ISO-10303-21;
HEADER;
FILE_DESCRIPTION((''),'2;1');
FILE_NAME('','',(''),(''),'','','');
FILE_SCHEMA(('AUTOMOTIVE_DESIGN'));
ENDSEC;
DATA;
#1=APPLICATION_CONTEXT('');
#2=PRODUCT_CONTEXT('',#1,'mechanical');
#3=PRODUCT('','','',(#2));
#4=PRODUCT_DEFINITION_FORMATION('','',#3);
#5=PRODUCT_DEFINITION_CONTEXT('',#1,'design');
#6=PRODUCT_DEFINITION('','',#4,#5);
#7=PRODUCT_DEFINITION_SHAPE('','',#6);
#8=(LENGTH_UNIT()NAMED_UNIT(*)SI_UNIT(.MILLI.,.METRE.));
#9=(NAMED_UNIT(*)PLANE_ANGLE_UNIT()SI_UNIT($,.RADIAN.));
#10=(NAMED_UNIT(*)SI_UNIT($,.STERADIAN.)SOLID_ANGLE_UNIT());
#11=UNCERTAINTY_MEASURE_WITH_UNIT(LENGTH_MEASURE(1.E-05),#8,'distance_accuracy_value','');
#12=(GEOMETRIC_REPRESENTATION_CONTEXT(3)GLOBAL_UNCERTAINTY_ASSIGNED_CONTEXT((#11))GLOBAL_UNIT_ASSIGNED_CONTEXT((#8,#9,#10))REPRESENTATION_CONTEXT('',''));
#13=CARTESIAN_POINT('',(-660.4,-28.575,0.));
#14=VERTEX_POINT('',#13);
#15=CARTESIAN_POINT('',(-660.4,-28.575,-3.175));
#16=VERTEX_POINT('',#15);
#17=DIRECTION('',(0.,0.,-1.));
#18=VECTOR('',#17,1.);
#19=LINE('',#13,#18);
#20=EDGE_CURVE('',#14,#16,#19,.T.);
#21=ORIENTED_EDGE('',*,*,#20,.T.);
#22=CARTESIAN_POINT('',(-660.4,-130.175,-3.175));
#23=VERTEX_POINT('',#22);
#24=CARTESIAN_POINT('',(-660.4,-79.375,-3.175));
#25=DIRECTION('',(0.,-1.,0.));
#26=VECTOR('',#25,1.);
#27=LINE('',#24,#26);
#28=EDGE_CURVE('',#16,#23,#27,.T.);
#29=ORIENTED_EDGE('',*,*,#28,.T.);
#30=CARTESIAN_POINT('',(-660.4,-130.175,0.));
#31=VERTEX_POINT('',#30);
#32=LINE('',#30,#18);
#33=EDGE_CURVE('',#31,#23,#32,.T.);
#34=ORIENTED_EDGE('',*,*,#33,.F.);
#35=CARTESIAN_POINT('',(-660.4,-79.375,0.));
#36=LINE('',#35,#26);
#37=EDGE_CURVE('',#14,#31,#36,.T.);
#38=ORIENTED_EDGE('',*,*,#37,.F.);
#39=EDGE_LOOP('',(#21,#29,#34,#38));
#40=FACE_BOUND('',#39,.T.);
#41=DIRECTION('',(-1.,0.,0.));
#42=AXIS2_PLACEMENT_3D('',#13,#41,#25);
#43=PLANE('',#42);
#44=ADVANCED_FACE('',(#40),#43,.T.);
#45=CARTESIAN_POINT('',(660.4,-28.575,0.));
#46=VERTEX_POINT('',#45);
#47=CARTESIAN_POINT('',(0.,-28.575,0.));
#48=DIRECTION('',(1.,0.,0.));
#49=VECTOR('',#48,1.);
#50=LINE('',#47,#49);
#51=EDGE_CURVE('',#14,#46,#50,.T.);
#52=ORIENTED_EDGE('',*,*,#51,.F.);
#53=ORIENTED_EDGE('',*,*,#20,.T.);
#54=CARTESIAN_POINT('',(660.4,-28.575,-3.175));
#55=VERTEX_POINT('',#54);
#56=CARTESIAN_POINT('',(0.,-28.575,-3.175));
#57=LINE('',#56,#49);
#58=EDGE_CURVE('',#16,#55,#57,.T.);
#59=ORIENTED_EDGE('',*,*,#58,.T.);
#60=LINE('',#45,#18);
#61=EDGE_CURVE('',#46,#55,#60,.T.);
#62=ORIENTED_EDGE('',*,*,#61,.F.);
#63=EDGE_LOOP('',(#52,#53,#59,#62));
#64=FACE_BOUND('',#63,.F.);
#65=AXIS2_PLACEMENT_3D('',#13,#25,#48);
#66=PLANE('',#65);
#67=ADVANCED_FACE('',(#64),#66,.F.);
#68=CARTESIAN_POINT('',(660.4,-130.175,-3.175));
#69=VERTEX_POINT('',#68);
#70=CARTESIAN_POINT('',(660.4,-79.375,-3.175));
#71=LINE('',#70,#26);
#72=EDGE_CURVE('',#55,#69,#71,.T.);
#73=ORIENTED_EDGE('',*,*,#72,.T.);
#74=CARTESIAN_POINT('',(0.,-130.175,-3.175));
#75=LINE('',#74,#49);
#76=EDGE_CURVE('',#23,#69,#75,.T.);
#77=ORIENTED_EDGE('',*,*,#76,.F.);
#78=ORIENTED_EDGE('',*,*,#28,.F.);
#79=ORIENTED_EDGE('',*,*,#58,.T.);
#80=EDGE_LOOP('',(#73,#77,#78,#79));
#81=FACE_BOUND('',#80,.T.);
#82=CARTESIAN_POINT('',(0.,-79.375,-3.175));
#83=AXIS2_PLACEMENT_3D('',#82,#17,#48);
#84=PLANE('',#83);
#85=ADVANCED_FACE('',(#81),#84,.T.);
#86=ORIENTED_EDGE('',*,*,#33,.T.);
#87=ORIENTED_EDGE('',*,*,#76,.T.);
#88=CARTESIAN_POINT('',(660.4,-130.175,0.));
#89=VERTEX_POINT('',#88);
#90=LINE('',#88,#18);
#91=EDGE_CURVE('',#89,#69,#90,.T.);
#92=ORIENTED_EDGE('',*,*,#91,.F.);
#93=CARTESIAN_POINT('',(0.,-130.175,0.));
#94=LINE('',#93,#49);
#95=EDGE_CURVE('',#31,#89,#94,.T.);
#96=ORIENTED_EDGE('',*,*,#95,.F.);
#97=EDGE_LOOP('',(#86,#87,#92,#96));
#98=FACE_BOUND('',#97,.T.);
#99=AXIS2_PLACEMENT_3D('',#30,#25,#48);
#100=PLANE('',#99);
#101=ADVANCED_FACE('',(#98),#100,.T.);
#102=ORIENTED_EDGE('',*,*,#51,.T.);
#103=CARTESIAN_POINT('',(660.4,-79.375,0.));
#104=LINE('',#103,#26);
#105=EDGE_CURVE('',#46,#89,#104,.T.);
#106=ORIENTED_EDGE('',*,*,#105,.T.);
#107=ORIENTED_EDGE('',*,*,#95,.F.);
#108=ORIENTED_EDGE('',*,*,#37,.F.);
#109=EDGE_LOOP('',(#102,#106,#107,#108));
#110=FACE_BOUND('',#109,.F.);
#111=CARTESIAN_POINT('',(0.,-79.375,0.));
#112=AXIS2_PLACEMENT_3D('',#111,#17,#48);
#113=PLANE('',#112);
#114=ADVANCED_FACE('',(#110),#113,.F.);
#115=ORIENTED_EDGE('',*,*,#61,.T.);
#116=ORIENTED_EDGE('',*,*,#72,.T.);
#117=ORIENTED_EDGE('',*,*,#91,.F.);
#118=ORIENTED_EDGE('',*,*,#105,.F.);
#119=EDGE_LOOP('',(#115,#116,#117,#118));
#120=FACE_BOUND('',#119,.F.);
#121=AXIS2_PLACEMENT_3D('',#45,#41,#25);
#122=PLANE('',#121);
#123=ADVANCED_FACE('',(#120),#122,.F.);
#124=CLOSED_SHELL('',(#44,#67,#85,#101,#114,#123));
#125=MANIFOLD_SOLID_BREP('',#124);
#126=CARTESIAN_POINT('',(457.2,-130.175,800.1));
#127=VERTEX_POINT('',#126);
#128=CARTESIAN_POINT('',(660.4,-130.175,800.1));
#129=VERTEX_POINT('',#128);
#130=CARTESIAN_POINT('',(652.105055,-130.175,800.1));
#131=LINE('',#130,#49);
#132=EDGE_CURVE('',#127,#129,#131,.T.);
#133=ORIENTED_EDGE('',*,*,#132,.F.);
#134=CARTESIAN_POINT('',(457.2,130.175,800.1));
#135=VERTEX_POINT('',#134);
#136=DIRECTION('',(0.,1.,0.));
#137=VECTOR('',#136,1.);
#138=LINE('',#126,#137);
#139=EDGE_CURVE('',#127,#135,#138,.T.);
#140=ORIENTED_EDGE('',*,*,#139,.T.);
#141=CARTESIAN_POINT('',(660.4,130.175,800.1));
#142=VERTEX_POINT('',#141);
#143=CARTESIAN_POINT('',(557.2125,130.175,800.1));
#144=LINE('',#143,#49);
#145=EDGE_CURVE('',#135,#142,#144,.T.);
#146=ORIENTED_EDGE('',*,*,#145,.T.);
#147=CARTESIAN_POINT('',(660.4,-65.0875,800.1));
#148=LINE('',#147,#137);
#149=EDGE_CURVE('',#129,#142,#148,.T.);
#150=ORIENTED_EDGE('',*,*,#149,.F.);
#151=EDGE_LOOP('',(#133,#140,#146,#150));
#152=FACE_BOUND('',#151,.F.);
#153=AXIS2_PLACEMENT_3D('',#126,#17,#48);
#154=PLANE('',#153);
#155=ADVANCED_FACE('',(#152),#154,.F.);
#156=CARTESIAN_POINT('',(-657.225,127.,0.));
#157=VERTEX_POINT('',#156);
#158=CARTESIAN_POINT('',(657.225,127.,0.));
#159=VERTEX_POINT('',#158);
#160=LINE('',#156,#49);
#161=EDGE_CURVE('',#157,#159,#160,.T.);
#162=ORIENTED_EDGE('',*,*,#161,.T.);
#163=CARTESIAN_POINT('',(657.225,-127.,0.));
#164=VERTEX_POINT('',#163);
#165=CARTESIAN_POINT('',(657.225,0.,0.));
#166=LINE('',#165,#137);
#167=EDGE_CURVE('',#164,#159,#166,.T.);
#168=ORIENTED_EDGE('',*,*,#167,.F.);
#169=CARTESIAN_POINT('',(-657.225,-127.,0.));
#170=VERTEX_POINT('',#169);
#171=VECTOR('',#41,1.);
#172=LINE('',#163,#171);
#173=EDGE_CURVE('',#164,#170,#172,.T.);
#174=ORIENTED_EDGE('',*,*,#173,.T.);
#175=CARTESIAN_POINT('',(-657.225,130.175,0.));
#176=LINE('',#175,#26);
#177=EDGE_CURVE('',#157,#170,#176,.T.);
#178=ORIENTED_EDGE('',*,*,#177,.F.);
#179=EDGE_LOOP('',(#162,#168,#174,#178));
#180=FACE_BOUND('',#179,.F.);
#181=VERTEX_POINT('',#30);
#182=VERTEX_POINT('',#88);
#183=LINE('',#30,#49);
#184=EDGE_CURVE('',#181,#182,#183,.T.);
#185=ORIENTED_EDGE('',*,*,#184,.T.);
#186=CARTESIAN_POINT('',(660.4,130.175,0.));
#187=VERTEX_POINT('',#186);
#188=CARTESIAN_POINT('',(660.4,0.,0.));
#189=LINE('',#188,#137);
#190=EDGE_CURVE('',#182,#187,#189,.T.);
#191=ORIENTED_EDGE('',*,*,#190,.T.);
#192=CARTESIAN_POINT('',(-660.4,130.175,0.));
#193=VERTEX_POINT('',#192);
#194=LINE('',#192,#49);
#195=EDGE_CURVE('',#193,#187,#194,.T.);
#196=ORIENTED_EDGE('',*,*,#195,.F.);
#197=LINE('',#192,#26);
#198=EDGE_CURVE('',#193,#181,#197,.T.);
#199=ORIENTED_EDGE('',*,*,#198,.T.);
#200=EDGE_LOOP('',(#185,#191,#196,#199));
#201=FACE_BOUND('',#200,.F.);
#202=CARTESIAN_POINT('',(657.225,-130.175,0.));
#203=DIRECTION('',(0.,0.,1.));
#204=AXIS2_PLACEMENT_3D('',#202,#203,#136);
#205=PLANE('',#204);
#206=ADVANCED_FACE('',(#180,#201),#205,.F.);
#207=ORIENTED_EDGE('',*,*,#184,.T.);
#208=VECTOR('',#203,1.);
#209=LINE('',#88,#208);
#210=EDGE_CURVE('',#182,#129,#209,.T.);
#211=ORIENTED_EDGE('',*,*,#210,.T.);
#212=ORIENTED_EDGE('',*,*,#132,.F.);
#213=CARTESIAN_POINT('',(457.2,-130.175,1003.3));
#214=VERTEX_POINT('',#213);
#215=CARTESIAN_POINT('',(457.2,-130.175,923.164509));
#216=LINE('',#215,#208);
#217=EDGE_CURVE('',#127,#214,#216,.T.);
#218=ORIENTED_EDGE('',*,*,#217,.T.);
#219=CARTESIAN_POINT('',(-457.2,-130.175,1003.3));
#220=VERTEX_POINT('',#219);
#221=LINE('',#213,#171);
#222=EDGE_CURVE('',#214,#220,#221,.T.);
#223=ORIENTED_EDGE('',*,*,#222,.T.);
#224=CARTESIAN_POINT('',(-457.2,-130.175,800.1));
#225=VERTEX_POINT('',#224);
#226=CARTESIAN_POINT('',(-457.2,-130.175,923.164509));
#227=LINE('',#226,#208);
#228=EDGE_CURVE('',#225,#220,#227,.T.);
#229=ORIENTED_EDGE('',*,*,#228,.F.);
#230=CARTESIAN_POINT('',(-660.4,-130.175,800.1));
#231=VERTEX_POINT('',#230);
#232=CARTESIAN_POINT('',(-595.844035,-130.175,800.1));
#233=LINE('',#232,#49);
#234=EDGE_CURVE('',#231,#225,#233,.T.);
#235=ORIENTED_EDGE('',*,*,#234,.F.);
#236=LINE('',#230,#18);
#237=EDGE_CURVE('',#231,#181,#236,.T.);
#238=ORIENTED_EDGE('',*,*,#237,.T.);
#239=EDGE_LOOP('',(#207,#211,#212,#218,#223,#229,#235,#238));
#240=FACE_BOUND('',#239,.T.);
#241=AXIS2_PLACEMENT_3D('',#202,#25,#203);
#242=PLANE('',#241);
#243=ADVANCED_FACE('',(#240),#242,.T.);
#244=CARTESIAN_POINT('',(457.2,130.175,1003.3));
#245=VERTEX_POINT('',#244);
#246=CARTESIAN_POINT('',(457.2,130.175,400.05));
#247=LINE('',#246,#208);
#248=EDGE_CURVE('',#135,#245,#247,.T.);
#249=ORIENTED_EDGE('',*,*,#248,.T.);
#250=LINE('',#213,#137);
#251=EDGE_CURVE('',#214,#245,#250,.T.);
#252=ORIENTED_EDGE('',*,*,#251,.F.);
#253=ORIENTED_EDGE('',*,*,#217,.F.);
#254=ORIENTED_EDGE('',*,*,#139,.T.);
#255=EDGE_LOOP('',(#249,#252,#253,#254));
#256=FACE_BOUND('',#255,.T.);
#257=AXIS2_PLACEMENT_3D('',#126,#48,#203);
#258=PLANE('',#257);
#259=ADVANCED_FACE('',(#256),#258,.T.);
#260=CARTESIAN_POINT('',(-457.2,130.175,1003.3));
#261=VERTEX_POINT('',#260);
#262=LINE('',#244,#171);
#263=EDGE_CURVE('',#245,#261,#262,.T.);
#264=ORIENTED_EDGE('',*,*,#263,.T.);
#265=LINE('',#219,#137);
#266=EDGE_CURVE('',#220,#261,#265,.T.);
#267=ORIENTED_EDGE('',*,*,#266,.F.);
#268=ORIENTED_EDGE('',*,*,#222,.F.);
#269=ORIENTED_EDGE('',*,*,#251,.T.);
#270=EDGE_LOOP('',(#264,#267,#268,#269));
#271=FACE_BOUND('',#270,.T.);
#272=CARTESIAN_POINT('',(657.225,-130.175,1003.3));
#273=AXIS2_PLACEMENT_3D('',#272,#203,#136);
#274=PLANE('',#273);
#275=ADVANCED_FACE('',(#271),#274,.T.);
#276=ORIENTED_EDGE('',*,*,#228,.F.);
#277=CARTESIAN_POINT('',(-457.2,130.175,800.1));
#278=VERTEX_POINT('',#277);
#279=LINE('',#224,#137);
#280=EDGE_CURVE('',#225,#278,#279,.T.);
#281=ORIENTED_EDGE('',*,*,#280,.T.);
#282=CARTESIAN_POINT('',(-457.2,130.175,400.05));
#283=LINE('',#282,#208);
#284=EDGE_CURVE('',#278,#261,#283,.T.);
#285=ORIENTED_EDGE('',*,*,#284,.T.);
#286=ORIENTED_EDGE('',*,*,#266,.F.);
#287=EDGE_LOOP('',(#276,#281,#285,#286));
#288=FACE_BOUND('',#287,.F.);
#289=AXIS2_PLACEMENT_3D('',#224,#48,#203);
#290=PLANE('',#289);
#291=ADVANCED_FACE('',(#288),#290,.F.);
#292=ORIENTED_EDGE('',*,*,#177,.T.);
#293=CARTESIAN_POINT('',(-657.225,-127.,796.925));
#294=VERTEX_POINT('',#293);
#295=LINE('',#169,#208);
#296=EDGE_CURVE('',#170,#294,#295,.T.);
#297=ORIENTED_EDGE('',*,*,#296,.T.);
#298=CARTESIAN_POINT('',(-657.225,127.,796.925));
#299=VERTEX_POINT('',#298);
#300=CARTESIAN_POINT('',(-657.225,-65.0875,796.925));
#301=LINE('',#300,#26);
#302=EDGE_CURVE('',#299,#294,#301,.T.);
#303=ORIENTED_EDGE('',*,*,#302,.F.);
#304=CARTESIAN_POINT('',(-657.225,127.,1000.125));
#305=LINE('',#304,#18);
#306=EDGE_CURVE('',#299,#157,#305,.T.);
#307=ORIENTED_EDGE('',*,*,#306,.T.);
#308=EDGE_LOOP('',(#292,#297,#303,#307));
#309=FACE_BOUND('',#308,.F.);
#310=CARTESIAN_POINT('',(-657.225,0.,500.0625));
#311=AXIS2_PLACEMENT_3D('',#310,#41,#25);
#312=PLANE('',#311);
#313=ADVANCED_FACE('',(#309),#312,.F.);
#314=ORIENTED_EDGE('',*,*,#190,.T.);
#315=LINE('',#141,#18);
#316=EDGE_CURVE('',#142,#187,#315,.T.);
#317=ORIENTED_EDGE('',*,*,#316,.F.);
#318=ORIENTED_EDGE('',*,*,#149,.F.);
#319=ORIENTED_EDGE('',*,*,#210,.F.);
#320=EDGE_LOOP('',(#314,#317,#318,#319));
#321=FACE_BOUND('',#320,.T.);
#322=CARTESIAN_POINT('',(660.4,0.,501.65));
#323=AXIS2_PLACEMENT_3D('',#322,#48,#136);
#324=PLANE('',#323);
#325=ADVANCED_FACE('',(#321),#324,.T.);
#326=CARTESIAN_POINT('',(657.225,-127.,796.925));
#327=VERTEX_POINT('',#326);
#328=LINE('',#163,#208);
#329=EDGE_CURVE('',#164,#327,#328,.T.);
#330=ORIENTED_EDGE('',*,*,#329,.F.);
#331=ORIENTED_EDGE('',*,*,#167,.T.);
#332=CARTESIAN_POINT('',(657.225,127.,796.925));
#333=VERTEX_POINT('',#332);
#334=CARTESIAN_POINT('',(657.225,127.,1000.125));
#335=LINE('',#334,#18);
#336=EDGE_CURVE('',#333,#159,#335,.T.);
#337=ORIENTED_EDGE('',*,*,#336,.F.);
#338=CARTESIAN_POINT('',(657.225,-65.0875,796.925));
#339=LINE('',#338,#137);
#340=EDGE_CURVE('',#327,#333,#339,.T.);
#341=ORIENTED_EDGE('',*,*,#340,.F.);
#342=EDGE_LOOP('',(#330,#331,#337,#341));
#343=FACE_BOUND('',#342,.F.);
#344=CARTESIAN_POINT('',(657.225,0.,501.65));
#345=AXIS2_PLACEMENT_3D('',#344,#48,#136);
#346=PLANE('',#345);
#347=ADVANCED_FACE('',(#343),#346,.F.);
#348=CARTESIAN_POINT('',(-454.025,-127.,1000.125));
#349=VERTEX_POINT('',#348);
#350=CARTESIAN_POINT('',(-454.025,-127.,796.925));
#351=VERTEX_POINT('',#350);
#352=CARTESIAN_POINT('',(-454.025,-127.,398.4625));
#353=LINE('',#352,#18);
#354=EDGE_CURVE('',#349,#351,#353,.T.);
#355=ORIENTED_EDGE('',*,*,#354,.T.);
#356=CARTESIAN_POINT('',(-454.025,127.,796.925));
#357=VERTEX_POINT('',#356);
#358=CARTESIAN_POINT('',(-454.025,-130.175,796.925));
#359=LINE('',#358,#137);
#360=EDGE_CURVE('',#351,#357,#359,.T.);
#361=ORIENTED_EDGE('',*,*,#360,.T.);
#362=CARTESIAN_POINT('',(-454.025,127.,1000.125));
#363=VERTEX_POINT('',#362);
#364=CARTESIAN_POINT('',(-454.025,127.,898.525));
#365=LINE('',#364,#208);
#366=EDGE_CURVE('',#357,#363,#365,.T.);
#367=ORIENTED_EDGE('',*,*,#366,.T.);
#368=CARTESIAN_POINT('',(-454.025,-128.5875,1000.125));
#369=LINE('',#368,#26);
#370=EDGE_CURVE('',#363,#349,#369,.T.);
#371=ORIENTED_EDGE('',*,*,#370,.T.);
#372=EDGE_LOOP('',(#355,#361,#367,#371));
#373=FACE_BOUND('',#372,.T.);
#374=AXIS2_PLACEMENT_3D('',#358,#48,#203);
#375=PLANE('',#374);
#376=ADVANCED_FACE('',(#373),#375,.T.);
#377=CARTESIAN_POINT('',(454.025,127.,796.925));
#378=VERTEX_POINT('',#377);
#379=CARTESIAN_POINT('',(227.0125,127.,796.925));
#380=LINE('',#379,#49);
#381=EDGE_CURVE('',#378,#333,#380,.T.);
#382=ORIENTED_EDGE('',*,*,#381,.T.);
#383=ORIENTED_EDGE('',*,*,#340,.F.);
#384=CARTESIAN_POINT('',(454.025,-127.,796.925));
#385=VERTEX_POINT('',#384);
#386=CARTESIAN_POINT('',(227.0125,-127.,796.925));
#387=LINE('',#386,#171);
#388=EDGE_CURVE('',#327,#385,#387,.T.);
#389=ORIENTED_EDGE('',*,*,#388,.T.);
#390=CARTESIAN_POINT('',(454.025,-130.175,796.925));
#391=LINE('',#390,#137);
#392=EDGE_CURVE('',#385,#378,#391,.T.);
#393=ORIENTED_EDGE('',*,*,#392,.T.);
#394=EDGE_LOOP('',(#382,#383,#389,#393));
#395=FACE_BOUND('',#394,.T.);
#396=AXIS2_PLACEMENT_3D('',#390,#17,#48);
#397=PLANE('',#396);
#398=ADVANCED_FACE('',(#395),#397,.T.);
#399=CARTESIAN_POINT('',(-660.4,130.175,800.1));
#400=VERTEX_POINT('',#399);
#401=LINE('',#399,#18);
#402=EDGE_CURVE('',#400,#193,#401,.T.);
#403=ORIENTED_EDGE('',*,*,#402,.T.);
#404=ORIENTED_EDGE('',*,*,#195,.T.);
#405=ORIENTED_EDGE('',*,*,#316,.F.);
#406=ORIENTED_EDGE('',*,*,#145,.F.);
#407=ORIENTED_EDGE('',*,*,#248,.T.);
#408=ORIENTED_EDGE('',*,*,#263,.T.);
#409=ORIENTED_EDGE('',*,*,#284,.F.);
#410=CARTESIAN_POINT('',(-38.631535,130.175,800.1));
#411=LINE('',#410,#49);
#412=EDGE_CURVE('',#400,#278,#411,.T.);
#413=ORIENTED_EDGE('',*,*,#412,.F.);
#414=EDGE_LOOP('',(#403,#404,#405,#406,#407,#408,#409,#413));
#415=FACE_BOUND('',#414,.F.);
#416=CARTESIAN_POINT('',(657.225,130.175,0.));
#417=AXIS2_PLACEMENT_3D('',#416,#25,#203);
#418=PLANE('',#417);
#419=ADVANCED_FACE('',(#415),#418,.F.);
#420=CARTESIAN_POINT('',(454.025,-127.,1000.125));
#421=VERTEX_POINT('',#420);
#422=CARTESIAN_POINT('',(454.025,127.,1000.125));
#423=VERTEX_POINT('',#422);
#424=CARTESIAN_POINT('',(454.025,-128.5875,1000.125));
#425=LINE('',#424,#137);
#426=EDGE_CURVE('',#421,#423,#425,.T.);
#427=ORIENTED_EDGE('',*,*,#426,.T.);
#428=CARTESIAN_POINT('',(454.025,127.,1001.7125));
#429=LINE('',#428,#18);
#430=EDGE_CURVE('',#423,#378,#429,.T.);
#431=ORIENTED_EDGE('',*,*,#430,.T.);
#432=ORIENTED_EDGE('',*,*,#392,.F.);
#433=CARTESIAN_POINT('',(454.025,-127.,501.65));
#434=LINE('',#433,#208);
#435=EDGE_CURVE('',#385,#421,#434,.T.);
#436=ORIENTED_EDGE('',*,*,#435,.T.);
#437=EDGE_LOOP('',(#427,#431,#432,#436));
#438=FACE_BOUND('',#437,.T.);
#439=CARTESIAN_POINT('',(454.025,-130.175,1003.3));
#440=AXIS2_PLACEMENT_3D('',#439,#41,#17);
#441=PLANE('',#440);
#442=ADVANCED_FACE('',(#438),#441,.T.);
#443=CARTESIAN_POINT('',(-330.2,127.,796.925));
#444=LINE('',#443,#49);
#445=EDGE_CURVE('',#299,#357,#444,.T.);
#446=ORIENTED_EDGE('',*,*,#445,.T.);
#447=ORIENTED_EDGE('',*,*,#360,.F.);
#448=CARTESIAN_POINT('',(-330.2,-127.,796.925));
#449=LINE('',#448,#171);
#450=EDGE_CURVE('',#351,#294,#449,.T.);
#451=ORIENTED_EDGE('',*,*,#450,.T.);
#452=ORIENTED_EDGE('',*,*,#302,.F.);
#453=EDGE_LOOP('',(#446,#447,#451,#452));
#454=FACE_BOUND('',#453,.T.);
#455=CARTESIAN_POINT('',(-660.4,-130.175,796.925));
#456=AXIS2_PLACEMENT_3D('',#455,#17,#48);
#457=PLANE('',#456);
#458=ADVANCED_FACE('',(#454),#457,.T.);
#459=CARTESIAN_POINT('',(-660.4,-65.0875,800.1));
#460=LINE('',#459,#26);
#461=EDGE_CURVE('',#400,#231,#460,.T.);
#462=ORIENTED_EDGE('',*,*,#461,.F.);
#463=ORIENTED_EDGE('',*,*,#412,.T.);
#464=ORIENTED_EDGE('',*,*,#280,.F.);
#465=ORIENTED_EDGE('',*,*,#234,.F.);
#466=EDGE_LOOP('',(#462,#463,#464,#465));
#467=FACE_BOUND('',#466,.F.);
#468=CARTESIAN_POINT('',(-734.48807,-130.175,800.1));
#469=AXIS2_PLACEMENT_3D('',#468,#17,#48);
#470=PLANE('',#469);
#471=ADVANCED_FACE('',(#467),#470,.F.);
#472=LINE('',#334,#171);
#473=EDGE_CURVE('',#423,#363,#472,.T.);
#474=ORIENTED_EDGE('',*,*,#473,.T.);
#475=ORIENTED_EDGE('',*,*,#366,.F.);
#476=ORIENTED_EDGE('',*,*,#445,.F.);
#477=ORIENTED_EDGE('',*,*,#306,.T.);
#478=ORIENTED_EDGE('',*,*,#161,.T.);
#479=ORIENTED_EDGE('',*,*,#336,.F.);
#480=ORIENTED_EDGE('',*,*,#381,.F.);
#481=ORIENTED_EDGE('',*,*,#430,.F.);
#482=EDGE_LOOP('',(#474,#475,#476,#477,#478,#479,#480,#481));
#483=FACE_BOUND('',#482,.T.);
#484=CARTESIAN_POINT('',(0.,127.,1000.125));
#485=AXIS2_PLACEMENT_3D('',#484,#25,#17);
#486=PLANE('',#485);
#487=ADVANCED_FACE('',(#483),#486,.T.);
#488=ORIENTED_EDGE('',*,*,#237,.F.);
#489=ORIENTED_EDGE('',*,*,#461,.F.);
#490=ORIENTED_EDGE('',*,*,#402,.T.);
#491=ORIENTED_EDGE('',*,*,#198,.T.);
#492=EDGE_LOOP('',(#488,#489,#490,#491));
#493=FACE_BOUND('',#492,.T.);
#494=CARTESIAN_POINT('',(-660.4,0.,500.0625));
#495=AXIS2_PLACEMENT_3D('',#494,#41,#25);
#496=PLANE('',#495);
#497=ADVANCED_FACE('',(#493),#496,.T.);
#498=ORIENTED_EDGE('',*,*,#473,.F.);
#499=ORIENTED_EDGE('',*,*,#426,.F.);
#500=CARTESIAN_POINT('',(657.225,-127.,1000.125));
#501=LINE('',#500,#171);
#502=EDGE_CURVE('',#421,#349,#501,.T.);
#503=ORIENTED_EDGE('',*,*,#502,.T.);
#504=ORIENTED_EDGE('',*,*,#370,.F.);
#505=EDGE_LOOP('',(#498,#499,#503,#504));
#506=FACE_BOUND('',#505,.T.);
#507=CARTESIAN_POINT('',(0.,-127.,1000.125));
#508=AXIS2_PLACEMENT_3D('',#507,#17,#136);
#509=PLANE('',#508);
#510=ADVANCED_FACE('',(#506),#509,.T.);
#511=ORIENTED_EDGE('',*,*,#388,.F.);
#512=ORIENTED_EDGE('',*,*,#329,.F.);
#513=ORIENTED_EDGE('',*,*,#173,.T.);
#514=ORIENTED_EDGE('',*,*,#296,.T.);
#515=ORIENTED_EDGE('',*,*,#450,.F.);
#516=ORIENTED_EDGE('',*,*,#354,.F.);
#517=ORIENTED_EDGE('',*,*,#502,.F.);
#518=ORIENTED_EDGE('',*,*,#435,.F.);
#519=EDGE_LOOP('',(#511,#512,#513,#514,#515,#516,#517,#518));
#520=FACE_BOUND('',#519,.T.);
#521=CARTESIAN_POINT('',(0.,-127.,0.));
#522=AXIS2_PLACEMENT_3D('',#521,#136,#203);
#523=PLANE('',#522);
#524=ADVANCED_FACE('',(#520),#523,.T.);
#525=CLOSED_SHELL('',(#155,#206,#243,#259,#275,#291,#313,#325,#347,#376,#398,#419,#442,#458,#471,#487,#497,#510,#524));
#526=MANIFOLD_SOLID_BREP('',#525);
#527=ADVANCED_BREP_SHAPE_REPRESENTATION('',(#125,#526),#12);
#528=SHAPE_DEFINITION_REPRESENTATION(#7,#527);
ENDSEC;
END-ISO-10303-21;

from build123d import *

# Parameters (mm, degrees)
F1_DEPTH  = 657.225
F2_W      = 254
F2_H      = 1000.125
F3_DEPTH  = 3.175
F4_W      = 260.35
F4_H      = 1003.3
F5_DEPTH  = 3.175
F6_W      = 1320.8
F6_H      = 101.6
F7_DEPTH  = 3.175
F8_W      = 277.2880700111
F8_H      = 246.1290188886
F8_W_2    = 389.8101107368
F9_DEPTH  = 260.351
F10_W     = 3.175
F10_H     = 203.2
F10_H_2   = 3.175
F11_DEPTH = 260.35


with BuildPart() as f1:
    # F0 (on Right) → F1 (new body, symmetric)
    with BuildSketch(Plane.YZ):
        Polygon((127, 1000.125), (127, 0), (130.175, 0), (130.175, 1003.3), (-130.175, 1003.3), (-130.175, 0), (-127, 0), (-127, 1000.125), align=None)
    extrude(amount=F1_DEPTH, both=True)

    # F2 (on face) → F3 (join)
    with BuildSketch(Plane(origin=(-657.225, 0, 0), x_dir=(0, -1, 0), z_dir=(-1, 0, 0))):
        with Locations((0, 500.0625)):
            Rectangle(F2_W, F2_H)
        Polygon((130.175, 1003.3), (-130.175, 1003.3), (-130.175, 0), (-127, 0), (-127, 1000.125), (127, 1000.125), (127, 0), (130.175, 0), align=None)
    extrude(amount=F3_DEPTH)

    # F4 (on face) → F5 (join)
    with BuildSketch(Plane.YZ.offset(657.225)):
        with Locations((0, 501.65)):
            Rectangle(F4_W, F4_H)
    extrude(amount=F5_DEPTH)

    # F8 (on face) → F9 (cut, through all)
    with BuildSketch(Plane.XZ.offset(130.175)):
        with Locations((-595.8440350056, 923.1645094443)):
            Rectangle(F8_W, F8_H)
        with Locations((652.1050553684, 923.1645094443)):
            Rectangle(F8_W_2, F8_H)
    extrude(amount=-F9_DEPTH, mode=Mode.SUBTRACT)

    # F10 (on face) → F11 (join, through all)
    with BuildSketch(Plane.XZ.offset(130.175)):
        Polygon((-457.2, 800.1), (-660.4, 800.1), (-660.4, 796.925), (-454.025, 796.925), (-454.025, 800.1), align=None)
        with Locations((-455.6125, 901.7)):
            Rectangle(F10_W, F10_H)
        with Locations((455.6125, 901.7)):
            Rectangle(F10_W, F10_H)
        Polygon((657.225, 800.1), (457.2, 800.1), (457.2, 796.925), (660.4, 796.925), (660.4, 800.1), align=None)
        with Locations((455.6125, 798.5125)):
            Rectangle(F10_W, F10_H_2)
    extrude(amount=-F11_DEPTH)


with BuildPart() as f7:
    # F6 (on face) → F7 (new body)
    with BuildSketch(Plane(origin=(0, 0, 0), x_dir=(1, 0, 0), z_dir=(0, 0, -1))):
        with Locations((0, 79.375)):
            Rectangle(F6_W, F6_H)
    extrude(amount=F7_DEPTH)


solid = Compound([f1.part, f7.part])
